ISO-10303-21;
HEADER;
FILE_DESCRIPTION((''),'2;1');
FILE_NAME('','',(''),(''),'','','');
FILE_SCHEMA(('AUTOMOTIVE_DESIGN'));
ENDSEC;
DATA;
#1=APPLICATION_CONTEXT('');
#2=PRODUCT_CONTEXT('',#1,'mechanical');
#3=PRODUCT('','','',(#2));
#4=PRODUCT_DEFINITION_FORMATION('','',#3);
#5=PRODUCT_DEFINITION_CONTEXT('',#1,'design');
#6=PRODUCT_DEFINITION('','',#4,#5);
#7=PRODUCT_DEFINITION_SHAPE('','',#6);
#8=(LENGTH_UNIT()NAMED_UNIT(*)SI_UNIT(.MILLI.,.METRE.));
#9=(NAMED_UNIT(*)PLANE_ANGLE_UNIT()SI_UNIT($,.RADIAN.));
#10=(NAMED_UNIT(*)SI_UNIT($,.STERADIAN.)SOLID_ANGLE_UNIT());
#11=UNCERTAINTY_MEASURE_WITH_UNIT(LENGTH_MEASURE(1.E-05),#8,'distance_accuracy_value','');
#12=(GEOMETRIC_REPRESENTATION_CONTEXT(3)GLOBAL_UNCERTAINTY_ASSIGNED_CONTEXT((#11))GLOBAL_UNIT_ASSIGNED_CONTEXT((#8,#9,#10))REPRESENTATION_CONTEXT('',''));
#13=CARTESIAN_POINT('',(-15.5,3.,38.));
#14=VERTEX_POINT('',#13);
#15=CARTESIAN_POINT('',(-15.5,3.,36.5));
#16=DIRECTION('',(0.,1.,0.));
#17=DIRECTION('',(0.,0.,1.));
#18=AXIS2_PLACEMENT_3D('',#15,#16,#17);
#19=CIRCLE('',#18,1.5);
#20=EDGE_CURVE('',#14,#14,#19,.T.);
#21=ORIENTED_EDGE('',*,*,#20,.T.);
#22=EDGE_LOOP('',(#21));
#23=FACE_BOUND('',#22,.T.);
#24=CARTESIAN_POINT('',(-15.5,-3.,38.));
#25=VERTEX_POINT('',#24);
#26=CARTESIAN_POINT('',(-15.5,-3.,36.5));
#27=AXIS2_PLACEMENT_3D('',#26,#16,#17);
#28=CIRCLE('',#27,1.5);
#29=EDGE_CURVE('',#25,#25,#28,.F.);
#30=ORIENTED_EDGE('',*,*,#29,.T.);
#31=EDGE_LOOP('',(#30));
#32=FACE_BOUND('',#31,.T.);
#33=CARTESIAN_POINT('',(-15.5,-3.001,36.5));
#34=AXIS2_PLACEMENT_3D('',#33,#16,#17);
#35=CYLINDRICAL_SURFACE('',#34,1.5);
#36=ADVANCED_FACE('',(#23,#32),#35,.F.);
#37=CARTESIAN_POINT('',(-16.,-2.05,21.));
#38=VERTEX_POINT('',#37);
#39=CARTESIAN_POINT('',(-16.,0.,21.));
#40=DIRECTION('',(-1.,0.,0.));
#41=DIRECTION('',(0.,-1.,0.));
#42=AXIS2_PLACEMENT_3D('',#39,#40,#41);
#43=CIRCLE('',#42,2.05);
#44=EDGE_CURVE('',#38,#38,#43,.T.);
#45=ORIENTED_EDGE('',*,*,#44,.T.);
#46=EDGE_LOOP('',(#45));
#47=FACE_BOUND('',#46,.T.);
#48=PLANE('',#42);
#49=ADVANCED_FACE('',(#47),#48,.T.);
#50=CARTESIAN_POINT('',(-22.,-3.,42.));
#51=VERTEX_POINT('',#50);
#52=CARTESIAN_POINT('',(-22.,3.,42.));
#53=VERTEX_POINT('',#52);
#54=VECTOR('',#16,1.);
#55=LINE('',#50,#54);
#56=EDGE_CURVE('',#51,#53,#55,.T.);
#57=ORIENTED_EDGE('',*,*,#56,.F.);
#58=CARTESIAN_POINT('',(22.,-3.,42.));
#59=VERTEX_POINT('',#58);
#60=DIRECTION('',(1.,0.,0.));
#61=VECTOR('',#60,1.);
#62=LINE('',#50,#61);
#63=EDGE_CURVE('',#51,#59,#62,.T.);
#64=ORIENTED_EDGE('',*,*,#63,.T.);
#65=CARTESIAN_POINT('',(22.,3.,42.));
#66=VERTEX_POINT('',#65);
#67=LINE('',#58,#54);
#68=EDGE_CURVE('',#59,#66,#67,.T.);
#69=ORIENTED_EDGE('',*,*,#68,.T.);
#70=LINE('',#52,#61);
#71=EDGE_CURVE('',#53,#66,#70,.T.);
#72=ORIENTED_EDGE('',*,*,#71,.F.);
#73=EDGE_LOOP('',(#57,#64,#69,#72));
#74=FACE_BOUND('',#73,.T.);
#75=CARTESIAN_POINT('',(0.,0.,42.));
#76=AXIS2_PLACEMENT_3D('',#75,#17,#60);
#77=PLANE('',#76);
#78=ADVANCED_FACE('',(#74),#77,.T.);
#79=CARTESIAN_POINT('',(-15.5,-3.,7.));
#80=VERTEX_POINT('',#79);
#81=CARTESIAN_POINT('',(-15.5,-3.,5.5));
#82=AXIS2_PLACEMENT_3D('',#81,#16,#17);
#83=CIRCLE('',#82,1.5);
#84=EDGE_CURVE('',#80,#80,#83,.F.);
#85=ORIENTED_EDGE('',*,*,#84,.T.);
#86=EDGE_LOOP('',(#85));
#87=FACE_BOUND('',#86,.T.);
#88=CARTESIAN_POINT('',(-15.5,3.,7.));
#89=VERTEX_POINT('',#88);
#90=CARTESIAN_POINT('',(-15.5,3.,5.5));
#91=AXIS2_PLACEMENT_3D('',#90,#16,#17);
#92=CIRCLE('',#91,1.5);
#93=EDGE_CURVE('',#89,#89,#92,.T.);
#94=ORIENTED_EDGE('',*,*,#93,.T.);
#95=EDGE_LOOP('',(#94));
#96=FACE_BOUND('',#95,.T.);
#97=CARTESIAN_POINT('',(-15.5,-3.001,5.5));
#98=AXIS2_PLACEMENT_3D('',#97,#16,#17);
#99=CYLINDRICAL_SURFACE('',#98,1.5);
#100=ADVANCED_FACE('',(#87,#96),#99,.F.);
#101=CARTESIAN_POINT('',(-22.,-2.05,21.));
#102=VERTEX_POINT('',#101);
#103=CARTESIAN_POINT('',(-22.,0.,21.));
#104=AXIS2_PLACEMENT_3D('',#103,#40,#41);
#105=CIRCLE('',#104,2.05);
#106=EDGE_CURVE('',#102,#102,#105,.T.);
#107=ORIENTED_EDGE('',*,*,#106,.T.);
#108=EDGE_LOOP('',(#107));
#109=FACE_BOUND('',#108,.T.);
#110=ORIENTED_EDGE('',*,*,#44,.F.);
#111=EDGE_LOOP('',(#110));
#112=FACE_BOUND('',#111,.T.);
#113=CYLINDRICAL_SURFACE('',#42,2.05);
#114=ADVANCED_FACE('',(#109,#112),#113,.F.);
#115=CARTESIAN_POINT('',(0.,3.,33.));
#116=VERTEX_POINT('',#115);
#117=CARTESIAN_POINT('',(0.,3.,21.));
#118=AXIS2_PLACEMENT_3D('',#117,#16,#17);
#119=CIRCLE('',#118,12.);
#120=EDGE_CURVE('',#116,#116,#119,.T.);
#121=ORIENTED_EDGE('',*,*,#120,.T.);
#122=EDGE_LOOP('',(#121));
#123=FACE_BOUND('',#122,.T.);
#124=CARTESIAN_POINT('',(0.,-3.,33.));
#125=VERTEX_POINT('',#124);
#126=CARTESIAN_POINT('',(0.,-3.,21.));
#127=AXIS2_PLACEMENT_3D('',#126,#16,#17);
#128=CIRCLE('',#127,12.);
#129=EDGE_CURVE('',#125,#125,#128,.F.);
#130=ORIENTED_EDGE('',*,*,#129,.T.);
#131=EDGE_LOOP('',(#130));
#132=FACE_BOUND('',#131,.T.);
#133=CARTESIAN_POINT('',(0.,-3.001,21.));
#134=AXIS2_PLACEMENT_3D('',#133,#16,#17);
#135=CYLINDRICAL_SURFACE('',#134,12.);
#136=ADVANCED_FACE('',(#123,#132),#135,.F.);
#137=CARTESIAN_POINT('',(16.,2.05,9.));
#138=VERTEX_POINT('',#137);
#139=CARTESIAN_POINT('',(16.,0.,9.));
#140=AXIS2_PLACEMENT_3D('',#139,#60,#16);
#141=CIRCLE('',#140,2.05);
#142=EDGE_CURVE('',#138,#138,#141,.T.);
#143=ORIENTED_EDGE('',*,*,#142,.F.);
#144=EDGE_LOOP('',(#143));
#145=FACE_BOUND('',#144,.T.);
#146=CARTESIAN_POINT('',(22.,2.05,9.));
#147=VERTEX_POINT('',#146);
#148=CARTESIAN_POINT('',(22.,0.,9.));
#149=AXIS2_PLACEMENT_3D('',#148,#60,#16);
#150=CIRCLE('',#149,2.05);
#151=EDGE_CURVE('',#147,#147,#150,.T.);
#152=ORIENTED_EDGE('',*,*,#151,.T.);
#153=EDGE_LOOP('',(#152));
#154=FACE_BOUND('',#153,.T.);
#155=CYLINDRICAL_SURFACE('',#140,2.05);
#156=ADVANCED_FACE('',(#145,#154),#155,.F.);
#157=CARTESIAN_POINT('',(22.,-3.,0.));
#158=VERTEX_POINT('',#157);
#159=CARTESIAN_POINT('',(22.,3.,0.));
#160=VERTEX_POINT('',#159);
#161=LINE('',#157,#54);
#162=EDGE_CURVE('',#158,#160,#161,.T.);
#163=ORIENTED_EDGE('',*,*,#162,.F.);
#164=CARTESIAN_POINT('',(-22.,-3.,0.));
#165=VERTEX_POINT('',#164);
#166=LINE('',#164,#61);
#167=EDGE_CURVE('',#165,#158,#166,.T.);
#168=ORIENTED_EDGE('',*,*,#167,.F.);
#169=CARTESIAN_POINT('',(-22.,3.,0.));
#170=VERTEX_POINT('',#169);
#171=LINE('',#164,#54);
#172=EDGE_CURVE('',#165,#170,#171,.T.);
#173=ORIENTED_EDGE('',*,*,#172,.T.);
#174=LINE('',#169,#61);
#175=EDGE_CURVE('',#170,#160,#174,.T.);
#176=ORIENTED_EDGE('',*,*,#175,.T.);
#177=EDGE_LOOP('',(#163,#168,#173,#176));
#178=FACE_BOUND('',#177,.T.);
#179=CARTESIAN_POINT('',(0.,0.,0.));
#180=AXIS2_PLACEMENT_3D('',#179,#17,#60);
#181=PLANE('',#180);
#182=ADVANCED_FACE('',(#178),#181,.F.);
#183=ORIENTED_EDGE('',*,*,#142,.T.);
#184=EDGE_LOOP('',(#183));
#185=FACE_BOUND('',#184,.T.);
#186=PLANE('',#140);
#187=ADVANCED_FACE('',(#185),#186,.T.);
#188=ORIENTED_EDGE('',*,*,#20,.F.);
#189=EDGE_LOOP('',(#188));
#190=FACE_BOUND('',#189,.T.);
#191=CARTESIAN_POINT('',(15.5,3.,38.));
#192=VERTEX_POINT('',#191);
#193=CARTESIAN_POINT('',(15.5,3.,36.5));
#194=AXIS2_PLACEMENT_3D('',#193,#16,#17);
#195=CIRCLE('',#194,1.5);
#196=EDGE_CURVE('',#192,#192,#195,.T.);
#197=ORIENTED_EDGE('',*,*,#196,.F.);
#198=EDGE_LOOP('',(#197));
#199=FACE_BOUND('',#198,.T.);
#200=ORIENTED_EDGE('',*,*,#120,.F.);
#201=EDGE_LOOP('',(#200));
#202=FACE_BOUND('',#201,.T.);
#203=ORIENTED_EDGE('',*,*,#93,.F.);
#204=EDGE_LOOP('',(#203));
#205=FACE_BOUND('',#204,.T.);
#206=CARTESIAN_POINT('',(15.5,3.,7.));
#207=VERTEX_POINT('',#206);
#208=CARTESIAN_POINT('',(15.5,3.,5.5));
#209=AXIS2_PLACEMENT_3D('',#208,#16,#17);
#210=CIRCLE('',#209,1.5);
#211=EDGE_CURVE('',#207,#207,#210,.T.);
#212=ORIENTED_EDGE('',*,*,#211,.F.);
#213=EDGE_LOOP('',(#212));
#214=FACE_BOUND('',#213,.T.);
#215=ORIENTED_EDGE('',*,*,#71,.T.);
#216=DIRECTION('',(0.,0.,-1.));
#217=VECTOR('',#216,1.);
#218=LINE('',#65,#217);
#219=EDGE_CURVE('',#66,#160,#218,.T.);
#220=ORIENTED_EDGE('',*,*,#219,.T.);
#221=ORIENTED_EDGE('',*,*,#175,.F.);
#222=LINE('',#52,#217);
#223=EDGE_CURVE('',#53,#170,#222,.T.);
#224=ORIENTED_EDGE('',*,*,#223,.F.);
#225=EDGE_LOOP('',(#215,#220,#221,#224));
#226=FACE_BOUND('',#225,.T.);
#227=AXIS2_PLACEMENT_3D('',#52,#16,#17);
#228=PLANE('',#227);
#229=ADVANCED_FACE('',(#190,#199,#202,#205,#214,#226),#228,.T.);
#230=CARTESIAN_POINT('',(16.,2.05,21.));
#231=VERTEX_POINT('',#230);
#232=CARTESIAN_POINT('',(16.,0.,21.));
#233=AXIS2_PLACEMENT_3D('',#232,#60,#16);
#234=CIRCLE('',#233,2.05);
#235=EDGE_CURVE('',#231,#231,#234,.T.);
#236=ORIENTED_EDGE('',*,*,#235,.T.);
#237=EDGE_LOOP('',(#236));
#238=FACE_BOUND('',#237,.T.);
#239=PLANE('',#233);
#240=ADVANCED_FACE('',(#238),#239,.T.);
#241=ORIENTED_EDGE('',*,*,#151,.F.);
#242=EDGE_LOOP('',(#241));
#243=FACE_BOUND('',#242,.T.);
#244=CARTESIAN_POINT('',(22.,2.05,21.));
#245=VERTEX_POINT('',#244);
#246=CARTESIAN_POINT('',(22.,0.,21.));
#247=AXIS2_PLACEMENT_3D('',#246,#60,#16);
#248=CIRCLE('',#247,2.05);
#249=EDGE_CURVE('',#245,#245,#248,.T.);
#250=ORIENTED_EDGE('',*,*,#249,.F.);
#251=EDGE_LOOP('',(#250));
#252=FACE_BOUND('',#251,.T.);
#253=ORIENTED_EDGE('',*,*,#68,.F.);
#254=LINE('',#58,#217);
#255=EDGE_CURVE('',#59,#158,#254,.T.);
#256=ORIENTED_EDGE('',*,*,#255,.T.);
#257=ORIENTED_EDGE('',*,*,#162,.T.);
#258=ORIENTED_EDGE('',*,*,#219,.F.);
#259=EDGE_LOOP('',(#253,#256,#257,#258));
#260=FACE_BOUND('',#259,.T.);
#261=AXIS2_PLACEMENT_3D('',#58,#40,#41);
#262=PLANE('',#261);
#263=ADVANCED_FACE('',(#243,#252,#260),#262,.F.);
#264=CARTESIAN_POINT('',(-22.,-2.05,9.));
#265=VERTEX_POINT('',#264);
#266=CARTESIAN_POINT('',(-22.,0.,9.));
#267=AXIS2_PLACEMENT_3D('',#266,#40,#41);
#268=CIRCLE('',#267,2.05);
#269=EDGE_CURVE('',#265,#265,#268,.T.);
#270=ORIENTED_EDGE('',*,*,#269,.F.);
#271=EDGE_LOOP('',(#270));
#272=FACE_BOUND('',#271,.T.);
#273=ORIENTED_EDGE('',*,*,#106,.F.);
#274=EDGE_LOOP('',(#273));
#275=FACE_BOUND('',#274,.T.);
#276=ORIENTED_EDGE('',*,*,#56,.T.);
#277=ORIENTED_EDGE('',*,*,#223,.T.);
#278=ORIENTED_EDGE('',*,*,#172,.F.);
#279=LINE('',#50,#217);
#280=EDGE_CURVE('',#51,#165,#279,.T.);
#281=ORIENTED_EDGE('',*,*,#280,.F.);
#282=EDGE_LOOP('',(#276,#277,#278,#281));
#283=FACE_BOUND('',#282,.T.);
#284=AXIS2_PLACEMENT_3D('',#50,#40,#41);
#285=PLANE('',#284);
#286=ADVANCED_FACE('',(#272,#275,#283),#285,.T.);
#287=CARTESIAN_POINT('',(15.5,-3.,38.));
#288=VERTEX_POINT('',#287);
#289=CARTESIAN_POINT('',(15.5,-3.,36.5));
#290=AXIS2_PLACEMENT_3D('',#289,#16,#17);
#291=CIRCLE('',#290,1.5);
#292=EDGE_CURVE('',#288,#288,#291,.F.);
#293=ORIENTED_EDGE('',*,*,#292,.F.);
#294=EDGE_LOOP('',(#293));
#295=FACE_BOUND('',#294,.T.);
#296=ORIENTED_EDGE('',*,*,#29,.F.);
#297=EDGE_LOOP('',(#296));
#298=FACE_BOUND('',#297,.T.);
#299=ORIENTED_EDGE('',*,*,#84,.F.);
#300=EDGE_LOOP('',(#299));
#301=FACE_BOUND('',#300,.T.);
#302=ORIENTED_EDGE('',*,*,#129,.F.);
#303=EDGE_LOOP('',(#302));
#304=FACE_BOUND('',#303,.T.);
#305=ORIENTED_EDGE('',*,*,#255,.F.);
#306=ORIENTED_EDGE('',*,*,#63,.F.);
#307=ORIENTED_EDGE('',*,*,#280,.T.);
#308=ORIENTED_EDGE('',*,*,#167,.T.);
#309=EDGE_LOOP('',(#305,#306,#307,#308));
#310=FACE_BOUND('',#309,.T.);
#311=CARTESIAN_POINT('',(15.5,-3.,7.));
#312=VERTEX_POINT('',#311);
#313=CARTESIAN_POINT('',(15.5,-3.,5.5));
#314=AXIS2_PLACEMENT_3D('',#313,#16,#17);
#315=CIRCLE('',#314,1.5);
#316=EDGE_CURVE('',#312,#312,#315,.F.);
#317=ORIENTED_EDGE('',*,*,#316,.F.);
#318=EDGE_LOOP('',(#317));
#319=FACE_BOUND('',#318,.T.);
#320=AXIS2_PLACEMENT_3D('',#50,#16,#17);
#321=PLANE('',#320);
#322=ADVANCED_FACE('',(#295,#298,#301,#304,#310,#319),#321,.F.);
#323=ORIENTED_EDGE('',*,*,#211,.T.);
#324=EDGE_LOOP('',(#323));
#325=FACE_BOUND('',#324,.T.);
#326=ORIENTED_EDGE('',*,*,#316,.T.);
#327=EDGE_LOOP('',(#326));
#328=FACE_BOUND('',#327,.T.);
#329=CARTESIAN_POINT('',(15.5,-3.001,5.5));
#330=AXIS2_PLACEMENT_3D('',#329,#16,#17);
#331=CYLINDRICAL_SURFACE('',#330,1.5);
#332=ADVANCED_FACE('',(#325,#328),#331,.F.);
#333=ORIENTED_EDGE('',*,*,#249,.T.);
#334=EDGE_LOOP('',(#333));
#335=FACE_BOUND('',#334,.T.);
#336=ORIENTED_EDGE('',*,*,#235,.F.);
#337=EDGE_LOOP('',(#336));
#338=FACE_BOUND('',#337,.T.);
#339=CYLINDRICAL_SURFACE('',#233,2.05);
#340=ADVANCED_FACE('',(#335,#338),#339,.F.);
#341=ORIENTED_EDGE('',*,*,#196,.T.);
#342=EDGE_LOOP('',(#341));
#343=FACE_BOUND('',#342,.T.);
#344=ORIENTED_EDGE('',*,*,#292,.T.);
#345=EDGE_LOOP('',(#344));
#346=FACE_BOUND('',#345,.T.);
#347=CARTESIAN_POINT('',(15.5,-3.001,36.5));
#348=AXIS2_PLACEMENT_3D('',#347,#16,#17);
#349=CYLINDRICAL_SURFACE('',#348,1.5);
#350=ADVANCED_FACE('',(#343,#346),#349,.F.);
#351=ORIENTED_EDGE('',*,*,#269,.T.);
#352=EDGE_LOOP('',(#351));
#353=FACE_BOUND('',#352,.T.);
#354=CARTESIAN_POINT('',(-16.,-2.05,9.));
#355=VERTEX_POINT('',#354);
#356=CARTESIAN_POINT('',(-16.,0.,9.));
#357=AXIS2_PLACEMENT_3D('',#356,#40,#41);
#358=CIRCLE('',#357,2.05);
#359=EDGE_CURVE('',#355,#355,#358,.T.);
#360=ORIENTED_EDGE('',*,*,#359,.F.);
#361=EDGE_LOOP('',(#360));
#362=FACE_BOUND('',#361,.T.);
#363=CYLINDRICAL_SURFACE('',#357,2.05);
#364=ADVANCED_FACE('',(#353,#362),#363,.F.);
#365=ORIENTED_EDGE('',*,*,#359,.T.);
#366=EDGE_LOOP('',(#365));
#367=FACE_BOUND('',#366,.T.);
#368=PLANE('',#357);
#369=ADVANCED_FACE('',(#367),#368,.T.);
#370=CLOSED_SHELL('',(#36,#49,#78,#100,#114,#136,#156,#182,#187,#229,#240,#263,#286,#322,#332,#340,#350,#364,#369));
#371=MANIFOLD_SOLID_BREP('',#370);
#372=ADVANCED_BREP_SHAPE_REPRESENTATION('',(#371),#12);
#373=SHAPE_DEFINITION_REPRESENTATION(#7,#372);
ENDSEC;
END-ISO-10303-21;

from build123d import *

# Parameters (mm, degrees)
SKETCH1_W           = 44
SKETCH1_H           = 6
BOSS_EXTRUDE1_DEPTH = 42
CUT_EXTRUDE4_REACH  = 8
SKETCH5_R           = 12
SKETCH5_R_2         = 1.5
SKETCH6_R           = 2.05
CUT_EXTRUDE5_DEPTH  = 6
SKETCH7_R           = 2.05
CUT_EXTRUDE6_DEPTH  = 6


with BuildPart() as part:
    # Sketch1 → Boss-Extrude1 (new body)
    with BuildSketch(Plane.XY):
        Rectangle(SKETCH1_W, SKETCH1_H)
    extrude(amount=BOSS_EXTRUDE1_DEPTH)

    # Sketch5 → Cut-Extrude4 (cut, up to next)
    with BuildSketch(Plane(origin=(0, 3, 0), x_dir=(1, 0, 0), z_dir=(0, 1, 0)), mode=Mode.PRIVATE) as cut_extrude4_sk1:
        with Locations((0, -21)):
            Circle(SKETCH5_R)
    cut_extrude4_tool1 = extrude(cut_extrude4_sk1.sketch, amount=-CUT_EXTRUDE4_REACH, mode=Mode.PRIVATE) & part.part
    add(cut_extrude4_tool1.solids().sort_by_distance((0, 3, 21))[0], mode=Mode.SUBTRACT)
    # Sketch5 → Cut-Extrude4 (cut, up to next)
    with BuildSketch(Plane(origin=(0, 3, 0), x_dir=(1, 0, 0), z_dir=(0, 1, 0)), mode=Mode.PRIVATE) as cut_extrude4_sk2:
        with Locations((-15.5, -5.5)):
            Circle(SKETCH5_R_2)
    cut_extrude4_tool2 = extrude(cut_extrude4_sk2.sketch, amount=-CUT_EXTRUDE4_REACH, mode=Mode.PRIVATE) & part.part
    add(cut_extrude4_tool2.solids().sort_by_distance((-15.5, 3, 5.5))[0], mode=Mode.SUBTRACT)
    # Sketch5 → Cut-Extrude4 (cut, up to next)
    with BuildSketch(Plane(origin=(0, 3, 0), x_dir=(1, 0, 0), z_dir=(0, 1, 0)), mode=Mode.PRIVATE) as cut_extrude4_sk3:
        with Locations((15.5, -5.5)):
            Circle(SKETCH5_R_2)
    cut_extrude4_tool3 = extrude(cut_extrude4_sk3.sketch, amount=-CUT_EXTRUDE4_REACH, mode=Mode.PRIVATE) & part.part
    add(cut_extrude4_tool3.solids().sort_by_distance((15.5, 3, 5.5))[0], mode=Mode.SUBTRACT)
    # Sketch5 → Cut-Extrude4 (cut, up to next)
    with BuildSketch(Plane(origin=(0, 3, 0), x_dir=(1, 0, 0), z_dir=(0, 1, 0)), mode=Mode.PRIVATE) as cut_extrude4_sk4:
        with Locations((15.5, -36.5)):
            Circle(SKETCH5_R_2)
    cut_extrude4_tool4 = extrude(cut_extrude4_sk4.sketch, amount=-CUT_EXTRUDE4_REACH, mode=Mode.PRIVATE) & part.part
    add(cut_extrude4_tool4.solids().sort_by_distance((15.5, 3, 36.5))[0], mode=Mode.SUBTRACT)
    # Sketch5 → Cut-Extrude4 (cut, up to next)
    with BuildSketch(Plane(origin=(0, 3, 0), x_dir=(1, 0, 0), z_dir=(0, 1, 0)), mode=Mode.PRIVATE) as cut_extrude4_sk5:
        with Locations((-15.5, -36.5)):
            Circle(SKETCH5_R_2)
    cut_extrude4_tool5 = extrude(cut_extrude4_sk5.sketch, amount=-CUT_EXTRUDE4_REACH, mode=Mode.PRIVATE) & part.part
    add(cut_extrude4_tool5.solids().sort_by_distance((-15.5, 3, 36.5))[0], mode=Mode.SUBTRACT)

    # Sketch6 → Cut-Extrude5 (cut)
    with BuildSketch(Plane.ZY.offset(22)):
        with Locations((9, 0)):
            Circle(SKETCH6_R)
        with Locations((21, 0)):
            Circle(SKETCH6_R)
    extrude(amount=-CUT_EXTRUDE5_DEPTH, mode=Mode.SUBTRACT)

    # Sketch7 → Cut-Extrude6 (cut)
    with BuildSketch(Plane(origin=(22, 0, 0), x_dir=(0, 0, -1), z_dir=(1, 0, 0))):
        with Locations((-9, 0)):
            Circle(SKETCH7_R)
        with Locations((-21, 0)):
            Circle(SKETCH7_R)
    extrude(amount=-CUT_EXTRUDE6_DEPTH, mode=Mode.SUBTRACT)


solid = part.part
